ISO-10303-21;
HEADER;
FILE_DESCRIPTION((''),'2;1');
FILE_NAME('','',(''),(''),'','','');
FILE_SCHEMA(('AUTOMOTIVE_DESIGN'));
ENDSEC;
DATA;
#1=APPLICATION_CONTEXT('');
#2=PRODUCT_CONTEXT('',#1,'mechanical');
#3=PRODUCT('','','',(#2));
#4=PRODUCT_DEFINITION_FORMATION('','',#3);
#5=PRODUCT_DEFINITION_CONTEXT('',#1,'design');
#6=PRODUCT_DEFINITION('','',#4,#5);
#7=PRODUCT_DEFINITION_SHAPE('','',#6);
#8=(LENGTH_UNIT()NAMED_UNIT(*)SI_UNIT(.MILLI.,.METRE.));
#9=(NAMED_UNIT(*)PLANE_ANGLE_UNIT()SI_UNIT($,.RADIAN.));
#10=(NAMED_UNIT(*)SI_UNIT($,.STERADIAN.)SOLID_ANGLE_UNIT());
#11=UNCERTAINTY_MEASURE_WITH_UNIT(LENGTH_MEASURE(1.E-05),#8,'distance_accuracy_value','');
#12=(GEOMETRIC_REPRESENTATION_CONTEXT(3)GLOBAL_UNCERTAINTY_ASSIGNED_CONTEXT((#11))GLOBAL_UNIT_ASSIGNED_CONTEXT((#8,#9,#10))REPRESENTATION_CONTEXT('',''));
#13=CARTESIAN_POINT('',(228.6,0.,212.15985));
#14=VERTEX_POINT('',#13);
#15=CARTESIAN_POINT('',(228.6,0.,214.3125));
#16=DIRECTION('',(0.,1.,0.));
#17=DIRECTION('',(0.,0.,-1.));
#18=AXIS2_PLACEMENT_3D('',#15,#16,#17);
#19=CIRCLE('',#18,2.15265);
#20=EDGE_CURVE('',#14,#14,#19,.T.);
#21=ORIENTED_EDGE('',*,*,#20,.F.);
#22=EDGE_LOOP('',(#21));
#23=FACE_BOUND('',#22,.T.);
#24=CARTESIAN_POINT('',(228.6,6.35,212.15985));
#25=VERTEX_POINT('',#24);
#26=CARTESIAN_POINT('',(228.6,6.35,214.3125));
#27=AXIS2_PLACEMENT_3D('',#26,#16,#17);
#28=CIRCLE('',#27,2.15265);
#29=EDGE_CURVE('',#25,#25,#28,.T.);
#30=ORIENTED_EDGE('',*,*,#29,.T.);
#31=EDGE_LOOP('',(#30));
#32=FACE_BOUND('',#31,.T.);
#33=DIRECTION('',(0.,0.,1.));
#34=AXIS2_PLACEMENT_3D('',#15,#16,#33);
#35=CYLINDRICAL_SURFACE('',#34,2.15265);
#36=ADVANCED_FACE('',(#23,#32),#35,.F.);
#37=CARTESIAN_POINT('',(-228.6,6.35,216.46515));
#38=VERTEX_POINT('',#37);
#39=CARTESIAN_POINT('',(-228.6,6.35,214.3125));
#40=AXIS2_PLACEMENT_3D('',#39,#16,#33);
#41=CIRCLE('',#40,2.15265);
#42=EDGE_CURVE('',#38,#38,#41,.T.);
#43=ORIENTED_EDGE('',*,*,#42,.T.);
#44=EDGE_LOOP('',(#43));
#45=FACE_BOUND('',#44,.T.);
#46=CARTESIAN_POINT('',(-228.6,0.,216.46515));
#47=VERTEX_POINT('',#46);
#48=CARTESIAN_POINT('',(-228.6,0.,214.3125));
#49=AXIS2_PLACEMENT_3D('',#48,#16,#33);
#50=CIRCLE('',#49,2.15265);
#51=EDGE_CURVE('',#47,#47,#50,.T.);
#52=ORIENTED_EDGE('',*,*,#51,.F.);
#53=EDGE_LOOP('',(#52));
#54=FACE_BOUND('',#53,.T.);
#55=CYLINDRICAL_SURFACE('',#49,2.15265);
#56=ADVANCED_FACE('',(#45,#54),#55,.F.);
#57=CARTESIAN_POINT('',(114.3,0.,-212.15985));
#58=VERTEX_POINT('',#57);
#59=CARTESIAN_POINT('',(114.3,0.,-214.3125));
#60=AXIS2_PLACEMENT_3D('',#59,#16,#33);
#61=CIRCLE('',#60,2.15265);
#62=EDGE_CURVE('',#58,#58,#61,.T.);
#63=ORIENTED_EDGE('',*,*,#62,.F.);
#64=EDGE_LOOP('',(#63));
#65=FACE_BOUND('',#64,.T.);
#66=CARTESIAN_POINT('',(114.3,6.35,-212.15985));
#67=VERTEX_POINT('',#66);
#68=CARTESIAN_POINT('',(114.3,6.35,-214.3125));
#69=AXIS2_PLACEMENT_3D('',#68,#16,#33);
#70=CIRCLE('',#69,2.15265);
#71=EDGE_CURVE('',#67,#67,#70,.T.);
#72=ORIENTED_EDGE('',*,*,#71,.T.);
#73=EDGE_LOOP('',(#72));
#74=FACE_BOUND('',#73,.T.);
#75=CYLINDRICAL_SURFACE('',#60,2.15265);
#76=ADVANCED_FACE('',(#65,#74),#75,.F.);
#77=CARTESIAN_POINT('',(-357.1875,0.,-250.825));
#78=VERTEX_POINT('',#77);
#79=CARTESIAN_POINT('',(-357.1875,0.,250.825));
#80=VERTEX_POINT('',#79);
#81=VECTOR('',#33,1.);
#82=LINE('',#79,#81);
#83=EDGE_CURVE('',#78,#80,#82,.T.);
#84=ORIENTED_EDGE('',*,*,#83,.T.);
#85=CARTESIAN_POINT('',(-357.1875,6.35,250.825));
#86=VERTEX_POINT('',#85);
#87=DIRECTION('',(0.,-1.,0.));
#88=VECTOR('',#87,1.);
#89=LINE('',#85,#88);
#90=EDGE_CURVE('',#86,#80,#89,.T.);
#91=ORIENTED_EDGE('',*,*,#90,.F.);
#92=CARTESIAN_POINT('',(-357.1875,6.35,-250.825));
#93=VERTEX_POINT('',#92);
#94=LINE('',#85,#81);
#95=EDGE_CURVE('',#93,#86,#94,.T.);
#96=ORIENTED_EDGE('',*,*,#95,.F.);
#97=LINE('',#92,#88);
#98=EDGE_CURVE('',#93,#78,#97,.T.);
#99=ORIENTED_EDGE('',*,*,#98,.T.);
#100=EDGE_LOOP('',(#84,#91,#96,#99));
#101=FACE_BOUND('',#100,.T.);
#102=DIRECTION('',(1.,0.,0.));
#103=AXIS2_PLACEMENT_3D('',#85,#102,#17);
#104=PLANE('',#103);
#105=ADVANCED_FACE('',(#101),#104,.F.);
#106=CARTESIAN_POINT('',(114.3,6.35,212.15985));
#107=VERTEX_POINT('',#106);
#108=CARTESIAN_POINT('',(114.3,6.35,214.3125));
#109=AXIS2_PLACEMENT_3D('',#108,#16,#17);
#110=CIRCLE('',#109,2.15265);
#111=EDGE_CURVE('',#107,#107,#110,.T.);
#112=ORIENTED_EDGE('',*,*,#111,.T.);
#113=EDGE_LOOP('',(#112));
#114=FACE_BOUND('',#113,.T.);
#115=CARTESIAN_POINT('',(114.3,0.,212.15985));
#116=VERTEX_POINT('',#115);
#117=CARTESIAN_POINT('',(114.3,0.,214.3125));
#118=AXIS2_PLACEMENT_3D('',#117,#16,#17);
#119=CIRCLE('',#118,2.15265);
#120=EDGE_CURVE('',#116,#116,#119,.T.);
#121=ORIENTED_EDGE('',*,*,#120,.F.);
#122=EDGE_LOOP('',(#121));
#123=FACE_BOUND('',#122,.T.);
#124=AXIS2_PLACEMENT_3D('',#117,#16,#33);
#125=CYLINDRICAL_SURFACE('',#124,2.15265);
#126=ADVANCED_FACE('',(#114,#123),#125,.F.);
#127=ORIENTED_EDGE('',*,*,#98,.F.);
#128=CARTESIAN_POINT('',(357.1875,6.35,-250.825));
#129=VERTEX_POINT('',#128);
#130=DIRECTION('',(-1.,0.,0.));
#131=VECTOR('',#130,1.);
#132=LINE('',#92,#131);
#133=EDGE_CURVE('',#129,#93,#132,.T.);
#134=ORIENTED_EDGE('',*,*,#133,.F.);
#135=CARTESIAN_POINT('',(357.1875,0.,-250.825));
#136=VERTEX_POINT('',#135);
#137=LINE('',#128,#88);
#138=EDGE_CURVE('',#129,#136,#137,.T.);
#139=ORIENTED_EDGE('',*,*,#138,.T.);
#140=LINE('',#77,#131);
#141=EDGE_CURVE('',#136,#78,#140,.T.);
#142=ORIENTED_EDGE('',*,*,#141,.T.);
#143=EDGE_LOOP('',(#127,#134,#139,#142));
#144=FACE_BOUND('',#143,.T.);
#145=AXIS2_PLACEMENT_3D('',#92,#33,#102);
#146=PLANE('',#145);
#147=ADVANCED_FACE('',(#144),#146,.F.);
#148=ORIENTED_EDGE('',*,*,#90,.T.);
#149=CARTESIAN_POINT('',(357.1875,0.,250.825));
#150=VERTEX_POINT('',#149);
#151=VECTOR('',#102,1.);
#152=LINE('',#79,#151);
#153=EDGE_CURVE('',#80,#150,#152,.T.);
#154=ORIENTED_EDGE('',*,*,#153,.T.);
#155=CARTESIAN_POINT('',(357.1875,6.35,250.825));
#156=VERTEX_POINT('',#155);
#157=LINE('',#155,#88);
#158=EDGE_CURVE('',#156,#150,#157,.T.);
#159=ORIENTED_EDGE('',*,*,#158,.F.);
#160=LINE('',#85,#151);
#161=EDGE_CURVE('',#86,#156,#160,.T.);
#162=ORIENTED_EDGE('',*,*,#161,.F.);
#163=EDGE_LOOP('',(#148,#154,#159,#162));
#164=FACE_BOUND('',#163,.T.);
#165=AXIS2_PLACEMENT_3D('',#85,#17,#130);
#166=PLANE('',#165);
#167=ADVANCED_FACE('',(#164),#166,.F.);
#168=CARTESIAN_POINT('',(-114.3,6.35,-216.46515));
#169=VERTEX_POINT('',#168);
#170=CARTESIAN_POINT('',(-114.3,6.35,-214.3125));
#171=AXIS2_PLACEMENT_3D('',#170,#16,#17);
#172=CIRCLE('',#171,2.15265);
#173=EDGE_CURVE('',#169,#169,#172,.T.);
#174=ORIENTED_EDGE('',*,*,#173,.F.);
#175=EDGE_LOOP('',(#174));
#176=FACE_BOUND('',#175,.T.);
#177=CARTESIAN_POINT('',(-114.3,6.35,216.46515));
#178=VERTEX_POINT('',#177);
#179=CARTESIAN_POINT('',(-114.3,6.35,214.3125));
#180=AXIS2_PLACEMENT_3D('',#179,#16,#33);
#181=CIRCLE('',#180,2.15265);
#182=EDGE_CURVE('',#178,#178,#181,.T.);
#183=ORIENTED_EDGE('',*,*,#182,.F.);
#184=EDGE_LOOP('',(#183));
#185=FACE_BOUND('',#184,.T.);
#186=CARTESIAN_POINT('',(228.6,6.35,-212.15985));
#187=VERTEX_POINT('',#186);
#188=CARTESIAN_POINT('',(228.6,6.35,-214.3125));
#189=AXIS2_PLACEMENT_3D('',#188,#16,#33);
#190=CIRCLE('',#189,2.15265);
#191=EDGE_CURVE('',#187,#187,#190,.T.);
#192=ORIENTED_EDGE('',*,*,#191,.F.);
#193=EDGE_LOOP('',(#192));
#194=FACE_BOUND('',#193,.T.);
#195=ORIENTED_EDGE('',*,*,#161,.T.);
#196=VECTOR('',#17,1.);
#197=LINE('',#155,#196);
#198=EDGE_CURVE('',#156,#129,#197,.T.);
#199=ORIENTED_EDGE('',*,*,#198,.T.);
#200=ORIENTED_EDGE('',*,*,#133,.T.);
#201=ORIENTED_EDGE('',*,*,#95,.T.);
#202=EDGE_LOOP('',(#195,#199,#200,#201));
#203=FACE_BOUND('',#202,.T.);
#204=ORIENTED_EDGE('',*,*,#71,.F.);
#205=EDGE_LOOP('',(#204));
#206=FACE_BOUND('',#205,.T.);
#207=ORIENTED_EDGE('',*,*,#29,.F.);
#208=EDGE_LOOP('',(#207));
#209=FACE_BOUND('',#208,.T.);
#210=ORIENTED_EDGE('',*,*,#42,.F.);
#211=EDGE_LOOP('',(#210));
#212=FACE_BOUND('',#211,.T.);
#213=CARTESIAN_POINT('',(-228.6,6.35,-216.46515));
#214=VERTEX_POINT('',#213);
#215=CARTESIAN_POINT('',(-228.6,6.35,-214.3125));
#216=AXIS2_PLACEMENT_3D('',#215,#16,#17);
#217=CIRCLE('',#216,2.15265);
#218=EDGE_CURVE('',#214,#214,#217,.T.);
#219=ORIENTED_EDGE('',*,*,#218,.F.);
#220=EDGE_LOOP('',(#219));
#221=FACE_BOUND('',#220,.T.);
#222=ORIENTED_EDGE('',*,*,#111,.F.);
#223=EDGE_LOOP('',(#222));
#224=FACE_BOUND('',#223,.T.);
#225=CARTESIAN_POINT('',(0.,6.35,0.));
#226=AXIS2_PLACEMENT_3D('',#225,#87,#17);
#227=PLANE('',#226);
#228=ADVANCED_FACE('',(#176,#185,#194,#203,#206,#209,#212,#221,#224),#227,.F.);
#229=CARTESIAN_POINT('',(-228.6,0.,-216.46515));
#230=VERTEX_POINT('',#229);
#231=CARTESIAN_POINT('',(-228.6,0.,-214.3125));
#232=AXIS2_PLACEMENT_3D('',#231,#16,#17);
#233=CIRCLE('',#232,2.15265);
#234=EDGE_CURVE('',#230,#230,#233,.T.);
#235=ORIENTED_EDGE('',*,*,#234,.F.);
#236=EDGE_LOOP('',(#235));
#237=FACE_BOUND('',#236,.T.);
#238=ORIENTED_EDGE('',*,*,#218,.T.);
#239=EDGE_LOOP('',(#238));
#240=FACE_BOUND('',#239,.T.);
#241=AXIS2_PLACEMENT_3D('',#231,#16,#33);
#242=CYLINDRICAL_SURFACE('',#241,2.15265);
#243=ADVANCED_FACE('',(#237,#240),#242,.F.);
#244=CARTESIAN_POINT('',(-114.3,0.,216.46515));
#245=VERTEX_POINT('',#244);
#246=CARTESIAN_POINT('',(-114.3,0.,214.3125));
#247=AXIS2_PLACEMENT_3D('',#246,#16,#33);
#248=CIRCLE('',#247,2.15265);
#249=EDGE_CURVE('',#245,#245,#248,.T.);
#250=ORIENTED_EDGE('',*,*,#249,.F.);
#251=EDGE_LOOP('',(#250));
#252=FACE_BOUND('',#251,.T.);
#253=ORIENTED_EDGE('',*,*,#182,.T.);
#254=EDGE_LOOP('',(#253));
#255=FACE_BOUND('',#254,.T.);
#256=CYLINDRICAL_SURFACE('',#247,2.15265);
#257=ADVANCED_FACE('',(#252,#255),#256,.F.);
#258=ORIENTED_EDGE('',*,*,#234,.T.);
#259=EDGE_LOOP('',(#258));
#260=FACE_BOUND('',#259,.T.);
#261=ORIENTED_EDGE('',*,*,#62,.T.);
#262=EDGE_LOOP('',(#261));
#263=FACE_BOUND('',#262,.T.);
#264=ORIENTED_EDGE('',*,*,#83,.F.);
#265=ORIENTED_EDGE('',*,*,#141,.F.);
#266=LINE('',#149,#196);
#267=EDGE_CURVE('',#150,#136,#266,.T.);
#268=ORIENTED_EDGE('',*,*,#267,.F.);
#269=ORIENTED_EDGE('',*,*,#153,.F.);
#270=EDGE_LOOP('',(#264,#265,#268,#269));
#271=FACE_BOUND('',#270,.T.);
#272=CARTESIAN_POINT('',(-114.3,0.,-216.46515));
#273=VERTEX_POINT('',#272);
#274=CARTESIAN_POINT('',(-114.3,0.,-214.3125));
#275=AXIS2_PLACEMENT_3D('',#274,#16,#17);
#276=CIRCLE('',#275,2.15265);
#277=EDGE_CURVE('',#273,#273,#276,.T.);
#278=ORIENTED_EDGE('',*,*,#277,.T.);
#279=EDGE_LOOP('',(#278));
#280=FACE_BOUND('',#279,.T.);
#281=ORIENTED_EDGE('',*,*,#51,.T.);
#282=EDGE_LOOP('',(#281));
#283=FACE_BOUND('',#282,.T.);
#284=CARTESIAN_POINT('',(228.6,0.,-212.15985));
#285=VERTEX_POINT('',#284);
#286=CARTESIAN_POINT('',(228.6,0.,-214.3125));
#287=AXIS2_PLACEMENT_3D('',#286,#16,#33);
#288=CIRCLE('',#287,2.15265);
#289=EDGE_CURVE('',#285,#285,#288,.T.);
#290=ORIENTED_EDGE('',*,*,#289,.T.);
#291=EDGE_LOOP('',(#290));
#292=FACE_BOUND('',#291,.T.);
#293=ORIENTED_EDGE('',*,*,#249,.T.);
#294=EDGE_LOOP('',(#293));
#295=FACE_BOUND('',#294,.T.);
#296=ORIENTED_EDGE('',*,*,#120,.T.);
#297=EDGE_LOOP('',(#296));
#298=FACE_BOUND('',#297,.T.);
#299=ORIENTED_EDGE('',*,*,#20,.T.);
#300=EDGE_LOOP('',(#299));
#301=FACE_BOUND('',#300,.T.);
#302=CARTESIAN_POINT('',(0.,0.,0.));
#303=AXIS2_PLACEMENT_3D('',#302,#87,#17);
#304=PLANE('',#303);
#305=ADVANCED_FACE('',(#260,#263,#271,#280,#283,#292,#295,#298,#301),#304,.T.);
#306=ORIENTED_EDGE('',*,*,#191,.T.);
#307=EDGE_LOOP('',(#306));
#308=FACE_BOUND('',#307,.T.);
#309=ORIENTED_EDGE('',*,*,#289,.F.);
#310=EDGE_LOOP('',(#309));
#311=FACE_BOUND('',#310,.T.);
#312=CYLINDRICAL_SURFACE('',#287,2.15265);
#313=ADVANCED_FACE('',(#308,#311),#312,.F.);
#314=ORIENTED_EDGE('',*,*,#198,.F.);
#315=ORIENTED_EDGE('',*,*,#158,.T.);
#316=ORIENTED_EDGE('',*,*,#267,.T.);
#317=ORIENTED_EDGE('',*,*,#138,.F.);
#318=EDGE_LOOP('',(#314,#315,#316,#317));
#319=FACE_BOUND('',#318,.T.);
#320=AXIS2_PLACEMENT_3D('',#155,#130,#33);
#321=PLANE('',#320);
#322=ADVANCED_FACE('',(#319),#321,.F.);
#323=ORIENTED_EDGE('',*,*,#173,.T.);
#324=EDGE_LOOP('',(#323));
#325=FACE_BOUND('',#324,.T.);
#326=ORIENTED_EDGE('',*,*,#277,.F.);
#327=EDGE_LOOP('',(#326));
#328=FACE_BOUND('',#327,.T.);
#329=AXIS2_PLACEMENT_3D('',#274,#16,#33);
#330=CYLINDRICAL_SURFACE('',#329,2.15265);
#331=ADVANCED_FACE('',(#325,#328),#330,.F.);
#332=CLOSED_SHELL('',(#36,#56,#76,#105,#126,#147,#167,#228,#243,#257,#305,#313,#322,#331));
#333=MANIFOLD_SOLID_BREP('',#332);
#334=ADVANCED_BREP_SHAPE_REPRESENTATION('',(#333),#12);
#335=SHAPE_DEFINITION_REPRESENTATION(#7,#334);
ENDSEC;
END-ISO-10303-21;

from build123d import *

# Parameters (mm, degrees)
SKETCH1_W           = 714.375
SKETCH1_H           = 501.65
BOSS_EXTRUDE1_DEPTH = 6.35
SKETCH2_R           = 2.15265
CUT_EXTRUDE1_DEPTH  = 7.35


with BuildPart() as part:
    # Sketch1 → Boss-Extrude1 (new body)
    with BuildSketch(Plane(origin=(0, 0, 0), x_dir=(1, 0, 0), z_dir=(0, 1, 0))):
        Rectangle(SKETCH1_W, SKETCH1_H)
    extrude(amount=BOSS_EXTRUDE1_DEPTH)

    # Sketch2 → Cut-Extrude1 (cut, through all)
    with BuildSketch(Plane(origin=(0, 6.35, 0), x_dir=(1, 0, 0), z_dir=(0, 1, 0))):
        with Locations((-114.3, -214.3125)):
            Circle(SKETCH2_R)
        with Locations((-228.6, -214.3125)):
            Circle(SKETCH2_R)
        with Locations((228.6, -214.3125)):
            Circle(SKETCH2_R)
        with Locations((114.3, -214.3125)):
            Circle(SKETCH2_R)
        with Locations((114.3, 214.3125)):
            Circle(SKETCH2_R)
        with Locations((228.6, 214.3125)):
            Circle(SKETCH2_R)
        with Locations((-228.6, 214.3125)):
            Circle(SKETCH2_R)
        with Locations((-114.3, 214.3125)):
            Circle(SKETCH2_R)
    extrude(amount=-CUT_EXTRUDE1_DEPTH, mode=Mode.SUBTRACT)


solid = part.part
